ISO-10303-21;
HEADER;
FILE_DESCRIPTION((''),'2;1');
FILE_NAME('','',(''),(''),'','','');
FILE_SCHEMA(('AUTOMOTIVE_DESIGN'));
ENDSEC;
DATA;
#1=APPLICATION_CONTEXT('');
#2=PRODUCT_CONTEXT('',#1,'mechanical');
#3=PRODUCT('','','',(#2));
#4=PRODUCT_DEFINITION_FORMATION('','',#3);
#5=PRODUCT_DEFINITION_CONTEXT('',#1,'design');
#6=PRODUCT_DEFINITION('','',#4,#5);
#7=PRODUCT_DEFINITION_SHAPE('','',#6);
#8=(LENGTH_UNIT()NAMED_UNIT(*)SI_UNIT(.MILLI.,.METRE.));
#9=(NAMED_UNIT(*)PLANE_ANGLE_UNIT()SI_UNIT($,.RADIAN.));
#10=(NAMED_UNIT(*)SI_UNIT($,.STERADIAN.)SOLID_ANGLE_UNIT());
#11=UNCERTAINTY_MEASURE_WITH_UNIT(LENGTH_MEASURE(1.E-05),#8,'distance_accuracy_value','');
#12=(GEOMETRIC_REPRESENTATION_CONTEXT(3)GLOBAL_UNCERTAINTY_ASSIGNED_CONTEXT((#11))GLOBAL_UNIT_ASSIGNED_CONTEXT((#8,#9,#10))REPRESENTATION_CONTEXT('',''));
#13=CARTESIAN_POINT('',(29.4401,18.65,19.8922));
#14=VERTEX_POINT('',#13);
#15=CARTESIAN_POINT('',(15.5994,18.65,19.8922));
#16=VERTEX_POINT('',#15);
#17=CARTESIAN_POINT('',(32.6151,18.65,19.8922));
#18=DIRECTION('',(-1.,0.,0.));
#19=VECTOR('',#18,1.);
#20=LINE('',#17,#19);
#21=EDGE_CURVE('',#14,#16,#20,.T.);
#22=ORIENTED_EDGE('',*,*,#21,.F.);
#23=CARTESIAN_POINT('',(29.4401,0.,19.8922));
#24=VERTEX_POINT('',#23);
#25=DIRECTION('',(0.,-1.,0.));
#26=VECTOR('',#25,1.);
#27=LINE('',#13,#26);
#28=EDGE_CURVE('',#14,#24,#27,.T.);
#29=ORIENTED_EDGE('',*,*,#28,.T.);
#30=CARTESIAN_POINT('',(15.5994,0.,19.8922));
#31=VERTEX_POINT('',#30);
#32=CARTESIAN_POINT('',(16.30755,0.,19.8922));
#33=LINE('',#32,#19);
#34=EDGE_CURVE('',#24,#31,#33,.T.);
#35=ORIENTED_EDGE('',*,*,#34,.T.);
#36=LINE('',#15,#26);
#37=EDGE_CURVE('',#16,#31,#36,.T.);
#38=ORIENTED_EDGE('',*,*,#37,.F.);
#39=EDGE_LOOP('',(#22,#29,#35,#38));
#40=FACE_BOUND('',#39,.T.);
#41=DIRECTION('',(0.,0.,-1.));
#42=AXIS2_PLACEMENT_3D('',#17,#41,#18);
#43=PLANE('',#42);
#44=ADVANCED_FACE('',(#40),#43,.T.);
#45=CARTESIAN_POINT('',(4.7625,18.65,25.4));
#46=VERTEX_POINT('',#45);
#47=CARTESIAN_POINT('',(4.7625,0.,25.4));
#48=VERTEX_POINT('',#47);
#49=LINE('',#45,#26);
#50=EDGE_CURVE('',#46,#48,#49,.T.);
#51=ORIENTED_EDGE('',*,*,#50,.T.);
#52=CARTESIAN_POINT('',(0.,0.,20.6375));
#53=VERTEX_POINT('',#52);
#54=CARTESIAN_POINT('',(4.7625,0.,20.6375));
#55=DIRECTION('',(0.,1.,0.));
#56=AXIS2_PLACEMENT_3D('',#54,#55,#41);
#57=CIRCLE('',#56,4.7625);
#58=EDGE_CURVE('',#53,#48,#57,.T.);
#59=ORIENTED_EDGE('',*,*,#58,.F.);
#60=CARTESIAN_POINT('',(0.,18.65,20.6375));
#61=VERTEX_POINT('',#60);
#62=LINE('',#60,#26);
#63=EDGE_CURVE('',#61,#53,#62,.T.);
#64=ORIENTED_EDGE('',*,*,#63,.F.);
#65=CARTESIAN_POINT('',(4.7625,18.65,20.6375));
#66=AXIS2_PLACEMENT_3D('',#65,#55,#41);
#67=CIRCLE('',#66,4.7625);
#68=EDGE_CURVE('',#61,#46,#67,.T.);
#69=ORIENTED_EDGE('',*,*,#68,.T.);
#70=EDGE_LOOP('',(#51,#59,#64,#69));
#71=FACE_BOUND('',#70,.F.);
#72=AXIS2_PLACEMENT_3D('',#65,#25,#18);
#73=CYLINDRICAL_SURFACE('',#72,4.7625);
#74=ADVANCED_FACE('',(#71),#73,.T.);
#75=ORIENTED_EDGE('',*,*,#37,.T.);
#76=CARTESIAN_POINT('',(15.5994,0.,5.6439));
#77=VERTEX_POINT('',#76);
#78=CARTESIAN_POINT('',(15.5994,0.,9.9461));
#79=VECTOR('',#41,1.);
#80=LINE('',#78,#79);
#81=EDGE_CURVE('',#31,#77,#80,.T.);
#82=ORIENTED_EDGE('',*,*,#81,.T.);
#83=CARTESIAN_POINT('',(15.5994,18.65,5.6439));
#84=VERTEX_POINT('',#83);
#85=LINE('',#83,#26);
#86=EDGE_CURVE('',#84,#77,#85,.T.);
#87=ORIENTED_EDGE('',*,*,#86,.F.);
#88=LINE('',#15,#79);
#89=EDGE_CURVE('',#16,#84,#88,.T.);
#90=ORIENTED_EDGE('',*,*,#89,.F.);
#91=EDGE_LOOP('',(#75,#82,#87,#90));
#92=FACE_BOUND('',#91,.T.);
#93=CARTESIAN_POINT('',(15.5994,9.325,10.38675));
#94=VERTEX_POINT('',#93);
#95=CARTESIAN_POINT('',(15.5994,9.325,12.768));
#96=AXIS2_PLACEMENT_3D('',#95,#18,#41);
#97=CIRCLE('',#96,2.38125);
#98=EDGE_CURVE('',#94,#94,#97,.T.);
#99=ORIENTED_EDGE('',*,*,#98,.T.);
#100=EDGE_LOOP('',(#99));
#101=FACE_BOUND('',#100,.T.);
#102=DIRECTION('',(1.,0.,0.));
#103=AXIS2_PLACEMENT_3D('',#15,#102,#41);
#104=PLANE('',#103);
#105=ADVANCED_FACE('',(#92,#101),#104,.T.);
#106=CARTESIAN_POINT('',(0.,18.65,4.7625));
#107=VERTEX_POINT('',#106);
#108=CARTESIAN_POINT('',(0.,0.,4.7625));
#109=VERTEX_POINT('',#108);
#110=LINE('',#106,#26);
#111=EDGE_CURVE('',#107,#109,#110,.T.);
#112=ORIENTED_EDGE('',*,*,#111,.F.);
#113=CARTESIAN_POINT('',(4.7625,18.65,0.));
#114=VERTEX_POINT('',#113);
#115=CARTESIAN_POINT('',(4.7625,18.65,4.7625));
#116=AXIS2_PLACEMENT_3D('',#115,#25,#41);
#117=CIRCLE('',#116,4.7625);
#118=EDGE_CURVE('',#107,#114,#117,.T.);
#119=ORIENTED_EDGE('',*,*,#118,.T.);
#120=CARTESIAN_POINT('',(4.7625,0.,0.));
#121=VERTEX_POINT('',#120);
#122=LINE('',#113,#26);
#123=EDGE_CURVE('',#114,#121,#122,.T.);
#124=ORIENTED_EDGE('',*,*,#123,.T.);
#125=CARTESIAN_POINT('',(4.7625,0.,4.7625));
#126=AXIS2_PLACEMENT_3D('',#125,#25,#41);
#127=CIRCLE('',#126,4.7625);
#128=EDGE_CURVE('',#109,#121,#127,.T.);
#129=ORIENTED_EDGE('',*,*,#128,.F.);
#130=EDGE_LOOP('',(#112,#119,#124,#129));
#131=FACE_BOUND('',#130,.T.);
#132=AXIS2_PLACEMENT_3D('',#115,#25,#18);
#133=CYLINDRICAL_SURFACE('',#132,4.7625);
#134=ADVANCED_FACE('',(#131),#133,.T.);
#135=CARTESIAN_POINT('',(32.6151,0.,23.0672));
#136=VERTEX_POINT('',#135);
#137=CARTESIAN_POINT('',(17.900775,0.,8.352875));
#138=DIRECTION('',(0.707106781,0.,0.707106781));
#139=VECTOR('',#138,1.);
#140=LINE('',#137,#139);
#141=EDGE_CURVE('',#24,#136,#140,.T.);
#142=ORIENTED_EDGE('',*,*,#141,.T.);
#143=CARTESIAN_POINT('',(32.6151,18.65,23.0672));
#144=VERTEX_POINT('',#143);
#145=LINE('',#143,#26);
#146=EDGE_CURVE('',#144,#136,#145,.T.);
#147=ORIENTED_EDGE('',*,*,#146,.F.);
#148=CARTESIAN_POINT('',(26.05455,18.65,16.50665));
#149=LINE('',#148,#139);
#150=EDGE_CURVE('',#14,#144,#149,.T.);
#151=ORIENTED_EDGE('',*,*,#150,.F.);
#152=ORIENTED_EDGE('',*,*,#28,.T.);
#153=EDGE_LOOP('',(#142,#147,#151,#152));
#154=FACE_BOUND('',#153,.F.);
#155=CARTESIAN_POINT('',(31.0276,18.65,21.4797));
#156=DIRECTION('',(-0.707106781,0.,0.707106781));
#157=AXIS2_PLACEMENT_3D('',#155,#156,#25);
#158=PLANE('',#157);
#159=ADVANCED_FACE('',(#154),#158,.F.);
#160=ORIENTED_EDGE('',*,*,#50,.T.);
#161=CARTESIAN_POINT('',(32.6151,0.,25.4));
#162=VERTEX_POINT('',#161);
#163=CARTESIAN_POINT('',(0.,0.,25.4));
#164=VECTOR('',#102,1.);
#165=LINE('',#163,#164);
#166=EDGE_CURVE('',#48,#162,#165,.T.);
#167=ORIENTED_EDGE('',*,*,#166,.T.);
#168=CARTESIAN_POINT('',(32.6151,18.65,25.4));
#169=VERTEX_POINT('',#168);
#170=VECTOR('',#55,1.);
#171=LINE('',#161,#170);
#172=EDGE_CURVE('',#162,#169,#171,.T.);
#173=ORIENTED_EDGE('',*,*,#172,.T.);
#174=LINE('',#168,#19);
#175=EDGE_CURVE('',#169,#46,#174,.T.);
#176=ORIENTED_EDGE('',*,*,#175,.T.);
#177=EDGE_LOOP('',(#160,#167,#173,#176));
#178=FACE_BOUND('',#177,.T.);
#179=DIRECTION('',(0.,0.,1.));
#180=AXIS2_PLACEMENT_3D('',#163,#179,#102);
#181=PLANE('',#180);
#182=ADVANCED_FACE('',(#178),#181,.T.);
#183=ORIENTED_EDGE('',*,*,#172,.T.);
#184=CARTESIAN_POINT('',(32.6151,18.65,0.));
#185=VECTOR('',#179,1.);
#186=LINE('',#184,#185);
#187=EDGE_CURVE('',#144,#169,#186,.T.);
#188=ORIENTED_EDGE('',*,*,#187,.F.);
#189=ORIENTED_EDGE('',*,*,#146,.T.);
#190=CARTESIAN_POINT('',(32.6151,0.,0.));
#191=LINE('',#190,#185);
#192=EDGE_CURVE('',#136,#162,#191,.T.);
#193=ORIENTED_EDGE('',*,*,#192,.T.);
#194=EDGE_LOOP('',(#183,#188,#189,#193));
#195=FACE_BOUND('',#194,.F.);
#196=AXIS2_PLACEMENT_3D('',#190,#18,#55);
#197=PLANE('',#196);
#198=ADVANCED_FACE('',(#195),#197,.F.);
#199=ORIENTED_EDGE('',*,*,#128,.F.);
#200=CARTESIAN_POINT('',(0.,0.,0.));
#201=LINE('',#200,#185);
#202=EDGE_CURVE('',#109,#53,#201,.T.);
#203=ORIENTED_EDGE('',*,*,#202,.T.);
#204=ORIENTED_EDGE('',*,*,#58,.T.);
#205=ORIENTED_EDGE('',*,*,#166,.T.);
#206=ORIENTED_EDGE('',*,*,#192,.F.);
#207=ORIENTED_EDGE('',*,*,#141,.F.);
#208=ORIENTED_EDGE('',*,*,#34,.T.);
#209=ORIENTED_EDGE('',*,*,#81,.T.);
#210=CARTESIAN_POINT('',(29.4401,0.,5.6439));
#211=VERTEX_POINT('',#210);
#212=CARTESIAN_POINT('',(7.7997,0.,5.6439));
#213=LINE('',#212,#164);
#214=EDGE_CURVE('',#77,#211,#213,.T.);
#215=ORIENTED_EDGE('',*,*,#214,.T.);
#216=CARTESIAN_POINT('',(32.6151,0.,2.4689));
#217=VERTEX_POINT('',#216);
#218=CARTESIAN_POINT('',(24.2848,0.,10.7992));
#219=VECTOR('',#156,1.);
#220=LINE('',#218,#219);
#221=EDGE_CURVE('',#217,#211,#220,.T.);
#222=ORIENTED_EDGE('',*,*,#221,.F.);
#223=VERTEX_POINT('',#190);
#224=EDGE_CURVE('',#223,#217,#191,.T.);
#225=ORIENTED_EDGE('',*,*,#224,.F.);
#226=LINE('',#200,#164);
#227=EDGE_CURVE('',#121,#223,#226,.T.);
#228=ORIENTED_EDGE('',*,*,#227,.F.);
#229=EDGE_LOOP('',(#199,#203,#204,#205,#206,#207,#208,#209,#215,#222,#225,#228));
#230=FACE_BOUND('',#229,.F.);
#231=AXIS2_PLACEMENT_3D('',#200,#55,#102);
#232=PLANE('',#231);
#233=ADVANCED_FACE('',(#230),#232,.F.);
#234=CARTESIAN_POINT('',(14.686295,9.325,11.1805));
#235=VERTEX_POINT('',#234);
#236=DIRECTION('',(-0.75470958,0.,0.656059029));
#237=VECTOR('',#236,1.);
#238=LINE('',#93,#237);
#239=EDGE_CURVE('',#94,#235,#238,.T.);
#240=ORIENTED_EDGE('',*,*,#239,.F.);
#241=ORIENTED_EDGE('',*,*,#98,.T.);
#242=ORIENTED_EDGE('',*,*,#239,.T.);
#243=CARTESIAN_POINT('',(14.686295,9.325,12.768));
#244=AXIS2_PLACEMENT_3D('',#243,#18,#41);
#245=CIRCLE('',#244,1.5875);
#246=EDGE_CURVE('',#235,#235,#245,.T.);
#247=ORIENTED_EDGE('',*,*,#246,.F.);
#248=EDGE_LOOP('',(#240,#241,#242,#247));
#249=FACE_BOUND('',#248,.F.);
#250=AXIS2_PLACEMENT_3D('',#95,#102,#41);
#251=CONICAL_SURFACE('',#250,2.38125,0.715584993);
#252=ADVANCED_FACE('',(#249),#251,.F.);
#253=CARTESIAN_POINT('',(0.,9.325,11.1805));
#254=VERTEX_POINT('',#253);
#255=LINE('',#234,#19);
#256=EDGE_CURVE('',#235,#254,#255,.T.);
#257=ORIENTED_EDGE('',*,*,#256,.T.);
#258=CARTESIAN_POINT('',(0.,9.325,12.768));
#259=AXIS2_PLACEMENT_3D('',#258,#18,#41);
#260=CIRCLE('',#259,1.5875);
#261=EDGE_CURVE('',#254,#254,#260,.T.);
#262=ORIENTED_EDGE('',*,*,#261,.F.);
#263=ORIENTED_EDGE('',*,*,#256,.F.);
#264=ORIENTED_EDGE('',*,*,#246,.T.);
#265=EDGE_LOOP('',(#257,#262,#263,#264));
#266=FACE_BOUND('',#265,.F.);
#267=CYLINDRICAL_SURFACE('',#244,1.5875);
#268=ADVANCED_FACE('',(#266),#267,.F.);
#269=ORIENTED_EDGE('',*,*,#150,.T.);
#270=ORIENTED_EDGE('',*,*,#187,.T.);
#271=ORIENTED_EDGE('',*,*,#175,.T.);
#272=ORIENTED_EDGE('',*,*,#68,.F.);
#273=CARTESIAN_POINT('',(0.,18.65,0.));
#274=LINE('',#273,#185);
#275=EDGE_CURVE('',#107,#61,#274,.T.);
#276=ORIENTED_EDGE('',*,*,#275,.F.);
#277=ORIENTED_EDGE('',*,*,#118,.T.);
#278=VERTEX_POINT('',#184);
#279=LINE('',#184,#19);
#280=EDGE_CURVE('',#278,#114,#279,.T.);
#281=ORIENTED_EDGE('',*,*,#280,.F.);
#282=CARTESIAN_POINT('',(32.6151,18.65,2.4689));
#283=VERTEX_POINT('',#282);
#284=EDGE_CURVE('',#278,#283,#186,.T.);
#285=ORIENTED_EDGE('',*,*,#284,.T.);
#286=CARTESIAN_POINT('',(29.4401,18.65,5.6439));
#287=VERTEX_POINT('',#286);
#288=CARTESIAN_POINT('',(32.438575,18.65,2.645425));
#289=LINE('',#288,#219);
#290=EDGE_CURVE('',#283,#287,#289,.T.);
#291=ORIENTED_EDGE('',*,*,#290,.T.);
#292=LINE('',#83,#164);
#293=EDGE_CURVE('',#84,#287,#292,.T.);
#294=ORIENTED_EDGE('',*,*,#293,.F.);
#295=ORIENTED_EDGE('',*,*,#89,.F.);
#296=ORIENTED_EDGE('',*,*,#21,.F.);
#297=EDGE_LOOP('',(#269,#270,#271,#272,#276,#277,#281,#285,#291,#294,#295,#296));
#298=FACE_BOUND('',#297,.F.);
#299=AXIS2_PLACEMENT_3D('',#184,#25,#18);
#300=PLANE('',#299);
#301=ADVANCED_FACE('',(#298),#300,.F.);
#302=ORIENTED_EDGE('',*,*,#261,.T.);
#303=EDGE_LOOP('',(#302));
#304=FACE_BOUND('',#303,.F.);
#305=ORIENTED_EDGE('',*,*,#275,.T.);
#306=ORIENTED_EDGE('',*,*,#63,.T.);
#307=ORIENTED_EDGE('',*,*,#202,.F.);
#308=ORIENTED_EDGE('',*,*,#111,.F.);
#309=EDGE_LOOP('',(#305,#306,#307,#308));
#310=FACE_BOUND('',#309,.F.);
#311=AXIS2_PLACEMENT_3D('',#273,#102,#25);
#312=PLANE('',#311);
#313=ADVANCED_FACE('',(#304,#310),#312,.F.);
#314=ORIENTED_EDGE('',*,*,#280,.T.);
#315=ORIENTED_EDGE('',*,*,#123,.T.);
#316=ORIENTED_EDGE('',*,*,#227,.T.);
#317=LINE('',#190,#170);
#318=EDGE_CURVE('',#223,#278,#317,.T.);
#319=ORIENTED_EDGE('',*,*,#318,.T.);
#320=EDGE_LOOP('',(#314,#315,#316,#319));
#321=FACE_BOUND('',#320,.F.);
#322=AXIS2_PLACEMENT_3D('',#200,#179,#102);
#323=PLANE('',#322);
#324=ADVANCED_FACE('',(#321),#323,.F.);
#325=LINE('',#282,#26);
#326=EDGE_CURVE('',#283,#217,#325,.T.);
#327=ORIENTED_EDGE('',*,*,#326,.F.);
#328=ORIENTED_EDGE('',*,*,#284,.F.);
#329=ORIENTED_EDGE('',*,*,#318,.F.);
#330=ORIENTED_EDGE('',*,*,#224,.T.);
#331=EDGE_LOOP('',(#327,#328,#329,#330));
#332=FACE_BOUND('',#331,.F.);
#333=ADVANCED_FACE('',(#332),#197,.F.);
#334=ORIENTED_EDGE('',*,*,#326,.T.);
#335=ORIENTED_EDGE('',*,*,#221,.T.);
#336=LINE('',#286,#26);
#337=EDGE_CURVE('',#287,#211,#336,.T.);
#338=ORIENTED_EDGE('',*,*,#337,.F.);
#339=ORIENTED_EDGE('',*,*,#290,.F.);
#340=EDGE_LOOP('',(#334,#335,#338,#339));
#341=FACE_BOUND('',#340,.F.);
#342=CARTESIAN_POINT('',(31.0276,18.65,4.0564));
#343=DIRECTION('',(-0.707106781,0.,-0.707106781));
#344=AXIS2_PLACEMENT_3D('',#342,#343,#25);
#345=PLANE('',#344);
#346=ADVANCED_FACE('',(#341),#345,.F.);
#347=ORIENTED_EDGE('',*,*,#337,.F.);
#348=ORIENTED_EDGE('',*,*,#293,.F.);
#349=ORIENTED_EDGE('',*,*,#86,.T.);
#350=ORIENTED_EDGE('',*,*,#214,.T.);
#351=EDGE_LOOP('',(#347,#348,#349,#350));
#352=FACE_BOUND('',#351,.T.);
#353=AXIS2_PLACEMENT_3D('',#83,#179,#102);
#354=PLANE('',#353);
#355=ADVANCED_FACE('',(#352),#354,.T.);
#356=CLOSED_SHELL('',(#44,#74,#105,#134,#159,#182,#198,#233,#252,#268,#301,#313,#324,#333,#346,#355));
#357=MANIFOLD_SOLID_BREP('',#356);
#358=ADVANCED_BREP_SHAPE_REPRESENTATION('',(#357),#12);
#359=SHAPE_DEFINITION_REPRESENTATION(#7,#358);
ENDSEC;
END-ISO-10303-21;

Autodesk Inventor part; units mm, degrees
ref_plane "YZ Plane" through (0, 0, 0) normal (1, 0, 0) x (0, 1, 0)
ref_plane "XZ Plane" through (0, 0, 0) normal (0, 1, 0) x (-1, 0, 0)
ref_plane "XY Plane" through (0, 0, 0) normal (0, 0, 1) x (1, 0, 0)
sketch "Sketch1" plane through (0, 0, 0) normal (0, 0, 1) x (1, 0, 0)
  line L0 (0, 0) -> (32.6151, 0)
  line L1 (32.6151, 0) -> (32.6151, 18.65)
  line L2 (32.6151, 18.65) -> (0, 18.65)
  line L3 (0, 18.65) -> (0, 0)
extrude "Extrusion1" add sketch "Sketch1" along normal blind 25.4
sketch "Sketch2" plane through (0, 18.65, 0) normal (0, 1, 0) x (1, 0, 0)
  line L0 (32.6151, 0) -> (32.6151, -25.4) projected
  line L1 (32.6151, -19.8922) -> (15.5994, -19.8922)
  line L2 (15.5994, -19.8922) -> (15.5994, -5.6439)
  line L3 (15.5994, -5.6439) -> (32.6151, -5.6439)
  line L4 (32.6151, -5.6439) -> (32.6151, -19.8922)
  line L5 (15.5994, -5.6439) -> (15.5994, -0.1361) construction
  line L6 (32.6151, -25.4) -> (0, -25.4) projected
  line L7 (15.5994, -25.4) -> (15.5994, -19.8922) construction
  point P0 (0, 0)
extrude "Extrusion2" cut sketch "Sketch2" against normal through all
fillet "Fillet1" radius 4.7625 2 edges at (0, 9.325, 25.4) (0, 9.325, 0)
chamfer "Chamfer1" distance 3.175 angle 45 2 edges at (32.6151, 9.325, 19.8922) (32.6151, 9.325, 5.6439)
sketch "Sketch3" plane through (15.5994, 18.65, 19.8922) normal (1, 0, 0) x (0, 0, -1)
  line L0 (14.2482, 0) -> (14.2482, -18.65) projected
  line L1 (14.2482, -18.65) -> (0, 0) construction
  point P0 (19.8922, -18.65)
  point P1 (7.1241, -9.325)
hole "Hole1" at (15.5994, 9.325, 12.768) direction (-1, 0, 0) diameter 3.175 end through all countersink diameter 4.7625 countersink angle 82
properties part number "Part feature intro"
